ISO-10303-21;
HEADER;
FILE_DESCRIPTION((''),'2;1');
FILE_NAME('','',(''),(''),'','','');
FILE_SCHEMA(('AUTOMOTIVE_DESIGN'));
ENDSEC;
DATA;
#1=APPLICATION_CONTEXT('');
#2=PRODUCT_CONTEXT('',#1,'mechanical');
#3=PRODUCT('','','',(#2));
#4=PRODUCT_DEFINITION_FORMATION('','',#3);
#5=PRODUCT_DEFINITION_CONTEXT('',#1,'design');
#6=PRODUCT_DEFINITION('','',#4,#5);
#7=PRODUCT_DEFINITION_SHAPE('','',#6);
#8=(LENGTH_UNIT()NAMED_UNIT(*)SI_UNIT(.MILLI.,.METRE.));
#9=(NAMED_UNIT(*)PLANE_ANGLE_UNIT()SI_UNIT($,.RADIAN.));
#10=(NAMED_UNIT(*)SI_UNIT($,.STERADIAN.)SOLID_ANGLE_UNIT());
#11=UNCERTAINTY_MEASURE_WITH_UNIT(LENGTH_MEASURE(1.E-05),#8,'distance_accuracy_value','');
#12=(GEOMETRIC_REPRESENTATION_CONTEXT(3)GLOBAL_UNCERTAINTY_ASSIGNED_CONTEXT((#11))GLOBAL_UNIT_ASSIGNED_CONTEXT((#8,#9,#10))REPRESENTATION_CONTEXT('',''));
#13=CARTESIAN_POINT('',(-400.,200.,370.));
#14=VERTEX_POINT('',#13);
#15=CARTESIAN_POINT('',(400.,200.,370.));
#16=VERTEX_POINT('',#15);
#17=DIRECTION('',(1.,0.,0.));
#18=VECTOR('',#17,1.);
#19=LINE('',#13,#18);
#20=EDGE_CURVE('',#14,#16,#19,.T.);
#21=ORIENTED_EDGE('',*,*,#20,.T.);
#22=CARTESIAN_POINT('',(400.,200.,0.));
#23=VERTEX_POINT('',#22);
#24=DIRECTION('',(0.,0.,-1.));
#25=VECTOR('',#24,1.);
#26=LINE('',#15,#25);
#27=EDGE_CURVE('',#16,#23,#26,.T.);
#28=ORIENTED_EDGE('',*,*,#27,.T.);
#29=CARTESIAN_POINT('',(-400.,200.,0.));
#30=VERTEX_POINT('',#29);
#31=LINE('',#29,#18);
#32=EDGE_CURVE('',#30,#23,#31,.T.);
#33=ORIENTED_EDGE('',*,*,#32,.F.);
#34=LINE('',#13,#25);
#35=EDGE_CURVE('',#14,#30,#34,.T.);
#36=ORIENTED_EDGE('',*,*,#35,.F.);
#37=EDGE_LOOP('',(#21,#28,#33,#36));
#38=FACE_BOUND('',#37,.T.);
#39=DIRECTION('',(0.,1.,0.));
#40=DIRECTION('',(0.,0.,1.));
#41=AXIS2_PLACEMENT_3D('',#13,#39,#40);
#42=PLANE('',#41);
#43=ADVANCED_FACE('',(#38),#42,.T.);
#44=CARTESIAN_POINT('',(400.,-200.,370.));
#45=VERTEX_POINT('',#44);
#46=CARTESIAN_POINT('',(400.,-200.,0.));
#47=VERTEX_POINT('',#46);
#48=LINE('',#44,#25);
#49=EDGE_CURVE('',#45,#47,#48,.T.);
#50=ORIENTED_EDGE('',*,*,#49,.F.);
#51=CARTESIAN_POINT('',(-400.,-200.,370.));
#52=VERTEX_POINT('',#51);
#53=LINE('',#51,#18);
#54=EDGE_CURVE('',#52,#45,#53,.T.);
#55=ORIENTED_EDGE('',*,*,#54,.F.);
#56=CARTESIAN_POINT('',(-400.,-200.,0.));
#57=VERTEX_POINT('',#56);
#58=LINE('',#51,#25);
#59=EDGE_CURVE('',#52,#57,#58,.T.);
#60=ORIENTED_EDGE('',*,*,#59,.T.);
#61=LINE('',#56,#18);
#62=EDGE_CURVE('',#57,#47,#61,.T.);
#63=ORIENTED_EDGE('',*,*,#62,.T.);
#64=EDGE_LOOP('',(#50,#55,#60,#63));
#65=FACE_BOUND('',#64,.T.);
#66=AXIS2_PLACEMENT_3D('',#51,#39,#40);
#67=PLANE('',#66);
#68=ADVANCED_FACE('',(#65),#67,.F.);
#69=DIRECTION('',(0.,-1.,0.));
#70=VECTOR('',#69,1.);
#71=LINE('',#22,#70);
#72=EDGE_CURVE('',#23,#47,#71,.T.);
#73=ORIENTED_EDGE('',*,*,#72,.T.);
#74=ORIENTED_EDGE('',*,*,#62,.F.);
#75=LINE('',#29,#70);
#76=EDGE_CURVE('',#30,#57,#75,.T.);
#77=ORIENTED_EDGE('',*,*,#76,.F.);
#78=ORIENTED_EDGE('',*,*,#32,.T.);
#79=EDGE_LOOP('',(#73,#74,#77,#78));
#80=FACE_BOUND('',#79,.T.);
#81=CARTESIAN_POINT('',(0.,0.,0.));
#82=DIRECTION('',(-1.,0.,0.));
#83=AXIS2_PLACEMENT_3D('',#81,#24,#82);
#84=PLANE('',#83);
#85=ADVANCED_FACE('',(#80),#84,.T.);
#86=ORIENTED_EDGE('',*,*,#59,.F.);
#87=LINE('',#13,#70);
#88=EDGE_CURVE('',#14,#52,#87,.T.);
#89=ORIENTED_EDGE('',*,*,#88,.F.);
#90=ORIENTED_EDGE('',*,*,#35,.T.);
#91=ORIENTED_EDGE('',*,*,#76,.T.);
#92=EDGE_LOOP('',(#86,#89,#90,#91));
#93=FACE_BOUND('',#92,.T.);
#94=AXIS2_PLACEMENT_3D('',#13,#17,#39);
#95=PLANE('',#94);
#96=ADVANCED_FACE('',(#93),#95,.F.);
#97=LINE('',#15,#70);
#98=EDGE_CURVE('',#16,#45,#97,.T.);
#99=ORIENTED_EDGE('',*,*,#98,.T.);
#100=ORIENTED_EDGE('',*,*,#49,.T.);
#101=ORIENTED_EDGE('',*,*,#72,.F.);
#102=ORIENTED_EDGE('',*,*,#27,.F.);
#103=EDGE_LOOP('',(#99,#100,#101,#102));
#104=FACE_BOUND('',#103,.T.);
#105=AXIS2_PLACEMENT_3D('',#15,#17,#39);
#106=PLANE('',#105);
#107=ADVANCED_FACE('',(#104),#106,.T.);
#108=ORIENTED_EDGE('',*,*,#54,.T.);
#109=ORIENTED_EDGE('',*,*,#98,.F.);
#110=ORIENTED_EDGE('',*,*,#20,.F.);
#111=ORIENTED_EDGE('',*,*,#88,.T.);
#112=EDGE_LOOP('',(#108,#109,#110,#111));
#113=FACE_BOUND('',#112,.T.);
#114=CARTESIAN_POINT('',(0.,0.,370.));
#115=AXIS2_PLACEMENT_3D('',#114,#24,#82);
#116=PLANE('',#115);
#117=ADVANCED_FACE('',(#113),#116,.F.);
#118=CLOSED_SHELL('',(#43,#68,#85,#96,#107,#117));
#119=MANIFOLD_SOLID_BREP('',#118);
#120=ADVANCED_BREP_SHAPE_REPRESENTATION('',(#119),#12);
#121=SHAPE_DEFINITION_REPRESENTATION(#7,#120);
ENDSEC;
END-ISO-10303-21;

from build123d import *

# Parameters (mm, degrees)
SKETCH_1_W      = 800
SKETCH_1_H      = 400
EXTRUDE_1_DEPTH = 370


with BuildPart() as part:
    # Эскиз1 → Бобышка-Вытянуть1 (new body)
    with BuildSketch(Plane.XY):
        Rectangle(SKETCH_1_W, SKETCH_1_H)
    extrude(amount=EXTRUDE_1_DEPTH)


solid = part.part
